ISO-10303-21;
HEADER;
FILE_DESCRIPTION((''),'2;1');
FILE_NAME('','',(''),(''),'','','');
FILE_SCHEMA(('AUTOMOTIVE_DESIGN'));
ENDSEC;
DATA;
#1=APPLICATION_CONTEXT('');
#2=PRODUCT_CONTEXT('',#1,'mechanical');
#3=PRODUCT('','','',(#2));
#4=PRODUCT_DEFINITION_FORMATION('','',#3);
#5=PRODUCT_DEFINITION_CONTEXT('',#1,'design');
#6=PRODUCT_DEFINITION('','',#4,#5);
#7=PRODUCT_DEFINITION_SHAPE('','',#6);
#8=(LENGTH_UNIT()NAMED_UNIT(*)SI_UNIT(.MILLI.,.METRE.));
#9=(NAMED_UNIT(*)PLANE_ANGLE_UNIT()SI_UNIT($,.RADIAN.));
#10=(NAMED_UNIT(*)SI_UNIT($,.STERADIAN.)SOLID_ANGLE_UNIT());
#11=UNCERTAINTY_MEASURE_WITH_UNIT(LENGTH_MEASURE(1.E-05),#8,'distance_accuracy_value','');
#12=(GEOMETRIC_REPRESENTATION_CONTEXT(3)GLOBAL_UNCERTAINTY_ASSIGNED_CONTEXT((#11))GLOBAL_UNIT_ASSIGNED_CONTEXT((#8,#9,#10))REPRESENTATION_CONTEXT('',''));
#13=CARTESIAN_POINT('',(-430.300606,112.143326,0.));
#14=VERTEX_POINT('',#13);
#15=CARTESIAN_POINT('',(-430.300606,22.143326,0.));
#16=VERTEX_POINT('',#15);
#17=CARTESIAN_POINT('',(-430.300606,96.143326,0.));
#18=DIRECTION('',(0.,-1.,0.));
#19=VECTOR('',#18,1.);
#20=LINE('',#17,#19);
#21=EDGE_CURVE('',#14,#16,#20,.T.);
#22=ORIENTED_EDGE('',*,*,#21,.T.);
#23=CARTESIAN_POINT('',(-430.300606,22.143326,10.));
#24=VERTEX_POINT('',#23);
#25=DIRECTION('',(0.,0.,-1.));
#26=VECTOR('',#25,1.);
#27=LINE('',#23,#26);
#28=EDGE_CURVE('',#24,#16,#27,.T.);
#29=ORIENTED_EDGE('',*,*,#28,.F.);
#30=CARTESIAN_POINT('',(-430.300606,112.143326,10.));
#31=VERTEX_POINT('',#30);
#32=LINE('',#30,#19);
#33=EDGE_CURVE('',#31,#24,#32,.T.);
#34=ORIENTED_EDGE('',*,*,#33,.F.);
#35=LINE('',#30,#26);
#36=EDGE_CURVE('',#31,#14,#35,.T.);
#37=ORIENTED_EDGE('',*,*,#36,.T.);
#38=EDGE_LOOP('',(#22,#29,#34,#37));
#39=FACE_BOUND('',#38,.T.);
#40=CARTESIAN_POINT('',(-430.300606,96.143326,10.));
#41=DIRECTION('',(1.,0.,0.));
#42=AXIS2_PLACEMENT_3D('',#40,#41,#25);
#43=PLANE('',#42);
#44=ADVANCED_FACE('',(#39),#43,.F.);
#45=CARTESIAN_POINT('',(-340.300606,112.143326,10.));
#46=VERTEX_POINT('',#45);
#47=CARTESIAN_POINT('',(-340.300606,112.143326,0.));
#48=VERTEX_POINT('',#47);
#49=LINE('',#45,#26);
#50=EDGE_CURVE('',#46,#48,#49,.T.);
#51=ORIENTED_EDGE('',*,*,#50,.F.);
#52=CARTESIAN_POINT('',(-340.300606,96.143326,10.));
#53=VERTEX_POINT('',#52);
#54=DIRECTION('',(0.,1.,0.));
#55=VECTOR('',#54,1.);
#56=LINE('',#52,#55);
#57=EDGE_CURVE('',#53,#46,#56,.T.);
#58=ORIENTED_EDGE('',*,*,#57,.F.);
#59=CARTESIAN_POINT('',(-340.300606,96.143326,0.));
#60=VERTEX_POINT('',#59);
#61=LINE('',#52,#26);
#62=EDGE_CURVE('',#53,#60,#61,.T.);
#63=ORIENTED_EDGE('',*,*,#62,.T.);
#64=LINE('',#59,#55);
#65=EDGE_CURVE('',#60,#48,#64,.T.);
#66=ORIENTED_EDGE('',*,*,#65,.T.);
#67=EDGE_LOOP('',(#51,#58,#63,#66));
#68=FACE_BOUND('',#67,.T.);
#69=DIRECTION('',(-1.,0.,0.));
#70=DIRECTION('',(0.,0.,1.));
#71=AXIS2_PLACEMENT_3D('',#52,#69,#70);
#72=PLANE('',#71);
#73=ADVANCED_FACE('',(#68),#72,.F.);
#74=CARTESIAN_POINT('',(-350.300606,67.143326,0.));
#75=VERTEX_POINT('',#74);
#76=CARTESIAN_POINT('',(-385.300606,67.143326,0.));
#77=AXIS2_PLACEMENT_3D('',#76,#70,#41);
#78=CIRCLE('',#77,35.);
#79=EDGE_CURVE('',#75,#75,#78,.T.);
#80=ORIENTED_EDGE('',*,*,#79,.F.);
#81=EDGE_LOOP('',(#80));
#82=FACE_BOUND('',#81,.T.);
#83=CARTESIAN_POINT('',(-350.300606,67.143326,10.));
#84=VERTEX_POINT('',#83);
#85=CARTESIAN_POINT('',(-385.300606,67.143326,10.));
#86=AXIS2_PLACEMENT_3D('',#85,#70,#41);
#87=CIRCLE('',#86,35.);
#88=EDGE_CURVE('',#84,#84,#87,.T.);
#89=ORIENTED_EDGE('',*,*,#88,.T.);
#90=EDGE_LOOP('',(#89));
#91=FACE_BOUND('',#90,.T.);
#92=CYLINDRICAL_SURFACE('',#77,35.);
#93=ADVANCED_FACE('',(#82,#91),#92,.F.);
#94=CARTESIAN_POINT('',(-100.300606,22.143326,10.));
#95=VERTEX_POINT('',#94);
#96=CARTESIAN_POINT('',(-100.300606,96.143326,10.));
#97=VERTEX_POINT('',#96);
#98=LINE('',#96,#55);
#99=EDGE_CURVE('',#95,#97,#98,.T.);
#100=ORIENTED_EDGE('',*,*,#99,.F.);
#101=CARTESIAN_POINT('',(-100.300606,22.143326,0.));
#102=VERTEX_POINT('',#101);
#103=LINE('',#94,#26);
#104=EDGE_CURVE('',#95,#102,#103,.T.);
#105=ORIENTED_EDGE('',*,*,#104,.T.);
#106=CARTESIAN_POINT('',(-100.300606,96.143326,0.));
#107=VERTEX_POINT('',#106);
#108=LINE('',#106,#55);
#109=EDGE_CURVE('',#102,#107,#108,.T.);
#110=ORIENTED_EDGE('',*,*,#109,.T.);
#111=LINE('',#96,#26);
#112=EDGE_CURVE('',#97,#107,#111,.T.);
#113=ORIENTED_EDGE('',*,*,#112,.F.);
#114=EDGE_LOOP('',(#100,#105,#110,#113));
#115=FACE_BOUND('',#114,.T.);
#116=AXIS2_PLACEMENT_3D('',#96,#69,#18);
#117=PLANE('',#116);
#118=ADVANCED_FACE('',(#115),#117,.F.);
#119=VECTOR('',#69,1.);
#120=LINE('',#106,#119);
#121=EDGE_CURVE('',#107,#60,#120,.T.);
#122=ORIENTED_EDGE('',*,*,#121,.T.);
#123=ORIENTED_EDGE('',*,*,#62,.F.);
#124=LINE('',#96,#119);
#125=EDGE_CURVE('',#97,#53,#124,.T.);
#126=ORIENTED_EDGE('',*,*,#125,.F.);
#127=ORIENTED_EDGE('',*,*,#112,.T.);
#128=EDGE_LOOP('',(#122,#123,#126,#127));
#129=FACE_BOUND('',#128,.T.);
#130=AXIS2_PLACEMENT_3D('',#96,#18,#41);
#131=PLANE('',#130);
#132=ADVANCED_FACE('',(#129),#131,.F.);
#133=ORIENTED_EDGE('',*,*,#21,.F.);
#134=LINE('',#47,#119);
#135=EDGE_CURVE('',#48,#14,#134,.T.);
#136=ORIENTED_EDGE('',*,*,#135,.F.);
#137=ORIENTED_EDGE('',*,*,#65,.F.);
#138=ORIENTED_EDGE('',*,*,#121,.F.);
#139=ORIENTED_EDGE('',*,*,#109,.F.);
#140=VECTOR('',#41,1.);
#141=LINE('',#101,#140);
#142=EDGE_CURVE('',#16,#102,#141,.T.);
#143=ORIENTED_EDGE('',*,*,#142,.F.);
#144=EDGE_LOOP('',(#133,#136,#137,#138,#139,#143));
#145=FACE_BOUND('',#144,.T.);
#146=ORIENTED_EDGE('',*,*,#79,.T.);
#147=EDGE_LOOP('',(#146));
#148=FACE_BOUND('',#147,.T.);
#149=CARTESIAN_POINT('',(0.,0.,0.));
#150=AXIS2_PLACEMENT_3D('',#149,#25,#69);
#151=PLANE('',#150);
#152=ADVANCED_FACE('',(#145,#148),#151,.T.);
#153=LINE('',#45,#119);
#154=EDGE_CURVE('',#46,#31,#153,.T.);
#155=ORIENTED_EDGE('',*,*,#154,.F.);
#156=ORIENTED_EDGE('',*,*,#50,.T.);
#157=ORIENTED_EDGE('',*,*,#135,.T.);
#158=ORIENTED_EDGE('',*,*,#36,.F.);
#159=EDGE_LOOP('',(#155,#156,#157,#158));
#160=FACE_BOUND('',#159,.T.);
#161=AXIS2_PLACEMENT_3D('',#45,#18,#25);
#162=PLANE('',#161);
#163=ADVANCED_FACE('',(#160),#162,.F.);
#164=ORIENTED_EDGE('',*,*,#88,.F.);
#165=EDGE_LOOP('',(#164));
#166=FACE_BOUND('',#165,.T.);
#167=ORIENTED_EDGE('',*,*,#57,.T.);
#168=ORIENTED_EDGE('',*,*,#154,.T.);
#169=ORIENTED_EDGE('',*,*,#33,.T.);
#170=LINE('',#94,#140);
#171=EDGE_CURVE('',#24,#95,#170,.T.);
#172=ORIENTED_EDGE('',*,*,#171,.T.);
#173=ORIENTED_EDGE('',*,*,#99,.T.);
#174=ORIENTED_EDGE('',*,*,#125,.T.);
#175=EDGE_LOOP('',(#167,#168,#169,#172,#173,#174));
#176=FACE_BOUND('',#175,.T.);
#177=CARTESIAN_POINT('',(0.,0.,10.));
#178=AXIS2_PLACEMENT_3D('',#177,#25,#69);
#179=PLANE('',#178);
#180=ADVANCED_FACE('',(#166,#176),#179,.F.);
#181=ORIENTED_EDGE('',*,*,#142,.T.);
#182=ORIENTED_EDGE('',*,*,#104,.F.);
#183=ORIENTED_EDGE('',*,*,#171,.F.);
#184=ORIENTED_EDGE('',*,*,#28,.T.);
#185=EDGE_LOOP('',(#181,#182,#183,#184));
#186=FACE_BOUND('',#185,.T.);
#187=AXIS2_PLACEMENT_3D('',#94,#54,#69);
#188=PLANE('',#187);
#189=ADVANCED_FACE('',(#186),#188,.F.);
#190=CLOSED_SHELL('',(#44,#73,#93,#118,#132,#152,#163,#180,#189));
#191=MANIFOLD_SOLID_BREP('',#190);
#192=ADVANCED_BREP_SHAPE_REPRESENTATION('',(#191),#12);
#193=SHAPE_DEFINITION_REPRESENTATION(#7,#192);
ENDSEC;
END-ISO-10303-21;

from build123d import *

# Parameters (mm, degrees)
BOSS_EXTRUDE1_DEPTH = 10
SKETCH2_R           = 35
CUT_EXTRUDE1_DEPTH  = 445.786169783


with BuildPart() as part:
    # Sketch1 → Boss-Extrude1 (new body)
    with BuildSketch(Plane.XY):
        Polygon((-100.300605602, 96.143326369), (-340.300605602, 96.143326369), (-340.300605602, 112.143326369), (-430.300605602, 112.143326369), (-430.300605602, 96.143326369), (-430.300605602, 22.143326369), (-100.300605602, 22.143326369), align=None)
    extrude(amount=BOSS_EXTRUDE1_DEPTH)

    # Sketch2 → Cut-Extrude1 (cut, through all)
    with BuildSketch(Plane.XY.offset(10)):
        with Locations((-385.300605602, 67.143326369)):
            Circle(SKETCH2_R)
    extrude(amount=-CUT_EXTRUDE1_DEPTH, mode=Mode.SUBTRACT)


solid = part.part
